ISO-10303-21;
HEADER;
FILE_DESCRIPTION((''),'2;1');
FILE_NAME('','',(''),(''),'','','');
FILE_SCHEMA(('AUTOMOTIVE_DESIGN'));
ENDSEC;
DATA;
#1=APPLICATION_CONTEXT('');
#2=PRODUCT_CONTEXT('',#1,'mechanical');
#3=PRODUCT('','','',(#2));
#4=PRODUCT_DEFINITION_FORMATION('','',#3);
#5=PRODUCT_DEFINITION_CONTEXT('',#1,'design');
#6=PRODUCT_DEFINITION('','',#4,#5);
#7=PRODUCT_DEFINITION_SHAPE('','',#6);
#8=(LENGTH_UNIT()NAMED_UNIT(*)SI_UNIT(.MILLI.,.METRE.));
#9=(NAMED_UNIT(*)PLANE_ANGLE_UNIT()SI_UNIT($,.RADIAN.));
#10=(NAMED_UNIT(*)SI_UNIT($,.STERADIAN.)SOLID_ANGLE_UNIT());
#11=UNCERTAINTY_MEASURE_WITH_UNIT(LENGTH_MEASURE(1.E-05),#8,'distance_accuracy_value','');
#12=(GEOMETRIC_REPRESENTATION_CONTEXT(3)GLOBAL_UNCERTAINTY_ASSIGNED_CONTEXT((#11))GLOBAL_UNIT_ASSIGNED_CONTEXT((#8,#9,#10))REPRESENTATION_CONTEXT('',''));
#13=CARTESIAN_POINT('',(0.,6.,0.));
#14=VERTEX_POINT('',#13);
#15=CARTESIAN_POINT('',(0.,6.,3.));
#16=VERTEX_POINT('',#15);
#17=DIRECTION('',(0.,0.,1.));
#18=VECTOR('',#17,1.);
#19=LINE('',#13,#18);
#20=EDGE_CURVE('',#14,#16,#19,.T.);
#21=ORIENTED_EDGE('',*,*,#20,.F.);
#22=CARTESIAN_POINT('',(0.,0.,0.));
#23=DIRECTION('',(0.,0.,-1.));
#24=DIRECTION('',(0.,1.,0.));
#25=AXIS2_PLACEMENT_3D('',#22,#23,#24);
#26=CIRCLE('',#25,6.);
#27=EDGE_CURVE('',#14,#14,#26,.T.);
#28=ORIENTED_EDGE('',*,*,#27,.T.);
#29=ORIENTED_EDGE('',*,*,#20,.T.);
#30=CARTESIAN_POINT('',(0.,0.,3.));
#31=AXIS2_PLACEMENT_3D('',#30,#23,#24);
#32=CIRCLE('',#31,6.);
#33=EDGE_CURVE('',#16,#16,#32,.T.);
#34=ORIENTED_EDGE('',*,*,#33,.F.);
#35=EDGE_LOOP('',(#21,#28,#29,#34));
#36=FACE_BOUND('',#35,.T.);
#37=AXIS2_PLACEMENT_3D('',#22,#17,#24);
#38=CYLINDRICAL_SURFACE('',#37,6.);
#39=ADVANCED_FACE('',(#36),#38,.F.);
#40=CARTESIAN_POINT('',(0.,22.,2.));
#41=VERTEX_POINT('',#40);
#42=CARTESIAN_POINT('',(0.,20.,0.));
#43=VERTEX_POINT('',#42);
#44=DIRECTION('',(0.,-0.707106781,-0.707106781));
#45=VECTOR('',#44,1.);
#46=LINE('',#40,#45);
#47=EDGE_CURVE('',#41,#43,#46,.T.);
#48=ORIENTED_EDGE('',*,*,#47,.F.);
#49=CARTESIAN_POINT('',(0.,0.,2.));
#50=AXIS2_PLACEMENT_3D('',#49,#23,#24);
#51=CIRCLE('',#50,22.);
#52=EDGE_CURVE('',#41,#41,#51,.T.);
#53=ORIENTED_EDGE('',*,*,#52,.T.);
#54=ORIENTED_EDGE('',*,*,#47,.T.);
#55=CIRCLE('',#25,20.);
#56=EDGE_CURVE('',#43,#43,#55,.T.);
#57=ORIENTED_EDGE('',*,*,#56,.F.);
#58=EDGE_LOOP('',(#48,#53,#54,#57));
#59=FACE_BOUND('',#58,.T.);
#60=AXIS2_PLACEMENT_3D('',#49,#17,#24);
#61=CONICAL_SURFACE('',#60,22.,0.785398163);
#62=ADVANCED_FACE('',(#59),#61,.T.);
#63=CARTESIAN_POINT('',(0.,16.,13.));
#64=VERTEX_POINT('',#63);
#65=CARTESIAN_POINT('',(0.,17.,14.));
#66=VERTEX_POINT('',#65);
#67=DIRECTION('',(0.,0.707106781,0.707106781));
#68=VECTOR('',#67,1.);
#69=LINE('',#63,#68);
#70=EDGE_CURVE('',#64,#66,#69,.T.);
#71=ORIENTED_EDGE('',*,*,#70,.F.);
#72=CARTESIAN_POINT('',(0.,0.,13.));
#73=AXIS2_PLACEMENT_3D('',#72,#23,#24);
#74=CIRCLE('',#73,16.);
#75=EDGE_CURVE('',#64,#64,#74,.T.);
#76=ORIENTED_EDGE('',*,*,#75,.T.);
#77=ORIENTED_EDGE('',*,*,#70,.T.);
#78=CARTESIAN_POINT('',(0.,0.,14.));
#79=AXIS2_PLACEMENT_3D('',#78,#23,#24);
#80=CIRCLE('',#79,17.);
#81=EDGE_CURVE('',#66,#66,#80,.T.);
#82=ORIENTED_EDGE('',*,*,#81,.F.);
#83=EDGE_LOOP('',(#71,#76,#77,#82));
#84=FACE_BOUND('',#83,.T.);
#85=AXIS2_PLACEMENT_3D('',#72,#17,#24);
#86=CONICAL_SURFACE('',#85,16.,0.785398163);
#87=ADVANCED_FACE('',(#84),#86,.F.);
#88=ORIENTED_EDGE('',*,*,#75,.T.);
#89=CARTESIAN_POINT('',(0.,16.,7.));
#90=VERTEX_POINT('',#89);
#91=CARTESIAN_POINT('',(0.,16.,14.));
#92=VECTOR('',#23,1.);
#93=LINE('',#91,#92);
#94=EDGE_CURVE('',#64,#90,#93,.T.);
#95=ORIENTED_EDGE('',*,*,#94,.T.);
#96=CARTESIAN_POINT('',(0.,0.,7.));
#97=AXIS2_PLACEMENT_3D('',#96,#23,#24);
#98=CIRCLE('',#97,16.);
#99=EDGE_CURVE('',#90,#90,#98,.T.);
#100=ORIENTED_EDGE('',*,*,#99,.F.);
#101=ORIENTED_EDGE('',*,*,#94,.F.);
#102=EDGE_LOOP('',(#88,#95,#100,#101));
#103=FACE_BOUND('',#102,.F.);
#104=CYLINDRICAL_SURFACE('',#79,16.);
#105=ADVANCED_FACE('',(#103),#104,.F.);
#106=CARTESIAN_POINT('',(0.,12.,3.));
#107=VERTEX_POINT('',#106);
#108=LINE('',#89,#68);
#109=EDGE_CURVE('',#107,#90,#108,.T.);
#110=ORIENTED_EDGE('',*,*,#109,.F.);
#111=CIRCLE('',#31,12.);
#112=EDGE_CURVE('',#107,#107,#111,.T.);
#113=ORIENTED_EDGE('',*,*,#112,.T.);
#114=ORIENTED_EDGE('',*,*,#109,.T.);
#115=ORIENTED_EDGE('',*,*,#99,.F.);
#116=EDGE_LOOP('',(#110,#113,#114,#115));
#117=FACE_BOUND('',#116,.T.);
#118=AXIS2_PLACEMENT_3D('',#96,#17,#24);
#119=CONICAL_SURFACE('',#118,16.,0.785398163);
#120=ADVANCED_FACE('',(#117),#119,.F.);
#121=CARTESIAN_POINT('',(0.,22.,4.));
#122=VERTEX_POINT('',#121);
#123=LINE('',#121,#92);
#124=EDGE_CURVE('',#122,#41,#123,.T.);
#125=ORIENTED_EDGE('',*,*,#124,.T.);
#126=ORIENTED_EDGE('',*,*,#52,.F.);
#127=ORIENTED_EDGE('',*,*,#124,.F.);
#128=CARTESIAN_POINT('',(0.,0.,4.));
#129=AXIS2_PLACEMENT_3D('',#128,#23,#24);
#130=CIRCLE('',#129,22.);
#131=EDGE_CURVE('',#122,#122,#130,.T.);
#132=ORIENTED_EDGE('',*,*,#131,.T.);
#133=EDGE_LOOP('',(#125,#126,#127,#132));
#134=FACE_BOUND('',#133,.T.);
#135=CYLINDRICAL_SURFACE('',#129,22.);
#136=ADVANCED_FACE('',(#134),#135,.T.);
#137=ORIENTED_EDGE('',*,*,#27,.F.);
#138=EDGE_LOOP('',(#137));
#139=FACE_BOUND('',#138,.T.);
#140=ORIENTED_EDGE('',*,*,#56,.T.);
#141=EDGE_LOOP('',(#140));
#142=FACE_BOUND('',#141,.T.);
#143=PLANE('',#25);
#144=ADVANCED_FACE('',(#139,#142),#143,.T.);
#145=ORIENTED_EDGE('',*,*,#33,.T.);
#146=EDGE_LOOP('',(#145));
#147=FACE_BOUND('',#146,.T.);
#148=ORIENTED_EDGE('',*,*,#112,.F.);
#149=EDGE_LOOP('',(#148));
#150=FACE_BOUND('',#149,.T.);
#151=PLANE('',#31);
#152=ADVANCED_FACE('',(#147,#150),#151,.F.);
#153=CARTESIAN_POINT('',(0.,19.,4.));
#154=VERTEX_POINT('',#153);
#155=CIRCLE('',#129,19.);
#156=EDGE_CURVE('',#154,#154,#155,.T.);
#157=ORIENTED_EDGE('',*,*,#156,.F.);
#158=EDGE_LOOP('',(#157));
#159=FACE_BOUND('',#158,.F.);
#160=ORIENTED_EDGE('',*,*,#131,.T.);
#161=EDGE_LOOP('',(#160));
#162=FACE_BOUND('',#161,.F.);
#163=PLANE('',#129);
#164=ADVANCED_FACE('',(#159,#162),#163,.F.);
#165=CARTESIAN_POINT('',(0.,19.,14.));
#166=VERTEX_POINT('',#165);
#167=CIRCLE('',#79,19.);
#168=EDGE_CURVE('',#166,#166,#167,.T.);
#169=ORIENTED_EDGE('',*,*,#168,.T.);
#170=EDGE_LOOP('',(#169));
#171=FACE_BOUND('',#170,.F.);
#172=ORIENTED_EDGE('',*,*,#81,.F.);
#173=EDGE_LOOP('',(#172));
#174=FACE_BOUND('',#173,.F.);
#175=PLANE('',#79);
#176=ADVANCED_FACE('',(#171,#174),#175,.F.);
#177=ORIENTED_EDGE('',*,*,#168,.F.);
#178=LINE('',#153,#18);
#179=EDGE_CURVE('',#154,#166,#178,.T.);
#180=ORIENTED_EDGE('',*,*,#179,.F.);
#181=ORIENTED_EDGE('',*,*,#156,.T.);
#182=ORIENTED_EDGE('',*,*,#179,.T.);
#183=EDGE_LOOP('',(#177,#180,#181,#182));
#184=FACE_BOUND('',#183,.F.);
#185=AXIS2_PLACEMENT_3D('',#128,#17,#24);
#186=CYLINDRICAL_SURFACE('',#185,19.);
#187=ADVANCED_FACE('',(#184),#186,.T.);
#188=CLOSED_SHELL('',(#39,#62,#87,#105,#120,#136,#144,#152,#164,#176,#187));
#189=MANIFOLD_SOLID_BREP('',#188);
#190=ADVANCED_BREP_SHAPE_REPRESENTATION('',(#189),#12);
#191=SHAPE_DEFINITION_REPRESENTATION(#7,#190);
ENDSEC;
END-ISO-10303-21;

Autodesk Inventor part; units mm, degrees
ref_plane "YZ Plane" through (0, 0, 0) normal (1, 0, 0) x (0, 1, 0)
ref_plane "XZ Plane" through (0, 0, 0) normal (0, 1, 0) x (-1, 0, 0)
ref_plane "XY Plane" through (0, 0, 0) normal (0, 0, 1) x (1, 0, 0)
sketch "Esquisse1" plane through (0, 0, 0) normal (1, 0, 0) x (0, 1, 0)
  line L0 (22, 4) -> (22, 0)
  line L1 (22, 4) -> (19, 4)
  line L2 (19, 4) -> (19, 14)
  line L3 (19, 14) -> (16, 14)
  line L4 (16, 14) -> (16, 3)
  line L5 (22, 0) -> (6, 0)
  line L6 (6, 0) -> (6, 3)
  line L7 (6, 3) -> (16, 3)
  line L8 (0, 0) -> (0, -5.3906)
  dimension "d0" = 4
  dimension "d2" = 10
  dimension "d3" = 3
  dimension "d4" = 12
  dimension "d7" = 38
  dimension "d8" = 3
  dimension "d9" = 3
revolve "Révolution1" add sketch "Esquisse1" angle 360 about axis through (0, 0, 0) along (0, 0, -1)
chamfer "Chanfrein1" distance 2 angle 45 1 edges at (0, -22, 0)
chamfer "Chanfrein2" distance 4 angle 45 1 edges at (0, -16, 3)
thread "Filetage1" size "M38x1.5" class "6g" standard "ISO Metric profile" length 10
chamfer "Chanfrein3" distance 1 angle 45 1 edges at (0, -16, 14)
thread "Filetage2" size "M12x1" class "6H" standard "ISO Metric profile" full length
properties part number "reservoir_cullasse"
